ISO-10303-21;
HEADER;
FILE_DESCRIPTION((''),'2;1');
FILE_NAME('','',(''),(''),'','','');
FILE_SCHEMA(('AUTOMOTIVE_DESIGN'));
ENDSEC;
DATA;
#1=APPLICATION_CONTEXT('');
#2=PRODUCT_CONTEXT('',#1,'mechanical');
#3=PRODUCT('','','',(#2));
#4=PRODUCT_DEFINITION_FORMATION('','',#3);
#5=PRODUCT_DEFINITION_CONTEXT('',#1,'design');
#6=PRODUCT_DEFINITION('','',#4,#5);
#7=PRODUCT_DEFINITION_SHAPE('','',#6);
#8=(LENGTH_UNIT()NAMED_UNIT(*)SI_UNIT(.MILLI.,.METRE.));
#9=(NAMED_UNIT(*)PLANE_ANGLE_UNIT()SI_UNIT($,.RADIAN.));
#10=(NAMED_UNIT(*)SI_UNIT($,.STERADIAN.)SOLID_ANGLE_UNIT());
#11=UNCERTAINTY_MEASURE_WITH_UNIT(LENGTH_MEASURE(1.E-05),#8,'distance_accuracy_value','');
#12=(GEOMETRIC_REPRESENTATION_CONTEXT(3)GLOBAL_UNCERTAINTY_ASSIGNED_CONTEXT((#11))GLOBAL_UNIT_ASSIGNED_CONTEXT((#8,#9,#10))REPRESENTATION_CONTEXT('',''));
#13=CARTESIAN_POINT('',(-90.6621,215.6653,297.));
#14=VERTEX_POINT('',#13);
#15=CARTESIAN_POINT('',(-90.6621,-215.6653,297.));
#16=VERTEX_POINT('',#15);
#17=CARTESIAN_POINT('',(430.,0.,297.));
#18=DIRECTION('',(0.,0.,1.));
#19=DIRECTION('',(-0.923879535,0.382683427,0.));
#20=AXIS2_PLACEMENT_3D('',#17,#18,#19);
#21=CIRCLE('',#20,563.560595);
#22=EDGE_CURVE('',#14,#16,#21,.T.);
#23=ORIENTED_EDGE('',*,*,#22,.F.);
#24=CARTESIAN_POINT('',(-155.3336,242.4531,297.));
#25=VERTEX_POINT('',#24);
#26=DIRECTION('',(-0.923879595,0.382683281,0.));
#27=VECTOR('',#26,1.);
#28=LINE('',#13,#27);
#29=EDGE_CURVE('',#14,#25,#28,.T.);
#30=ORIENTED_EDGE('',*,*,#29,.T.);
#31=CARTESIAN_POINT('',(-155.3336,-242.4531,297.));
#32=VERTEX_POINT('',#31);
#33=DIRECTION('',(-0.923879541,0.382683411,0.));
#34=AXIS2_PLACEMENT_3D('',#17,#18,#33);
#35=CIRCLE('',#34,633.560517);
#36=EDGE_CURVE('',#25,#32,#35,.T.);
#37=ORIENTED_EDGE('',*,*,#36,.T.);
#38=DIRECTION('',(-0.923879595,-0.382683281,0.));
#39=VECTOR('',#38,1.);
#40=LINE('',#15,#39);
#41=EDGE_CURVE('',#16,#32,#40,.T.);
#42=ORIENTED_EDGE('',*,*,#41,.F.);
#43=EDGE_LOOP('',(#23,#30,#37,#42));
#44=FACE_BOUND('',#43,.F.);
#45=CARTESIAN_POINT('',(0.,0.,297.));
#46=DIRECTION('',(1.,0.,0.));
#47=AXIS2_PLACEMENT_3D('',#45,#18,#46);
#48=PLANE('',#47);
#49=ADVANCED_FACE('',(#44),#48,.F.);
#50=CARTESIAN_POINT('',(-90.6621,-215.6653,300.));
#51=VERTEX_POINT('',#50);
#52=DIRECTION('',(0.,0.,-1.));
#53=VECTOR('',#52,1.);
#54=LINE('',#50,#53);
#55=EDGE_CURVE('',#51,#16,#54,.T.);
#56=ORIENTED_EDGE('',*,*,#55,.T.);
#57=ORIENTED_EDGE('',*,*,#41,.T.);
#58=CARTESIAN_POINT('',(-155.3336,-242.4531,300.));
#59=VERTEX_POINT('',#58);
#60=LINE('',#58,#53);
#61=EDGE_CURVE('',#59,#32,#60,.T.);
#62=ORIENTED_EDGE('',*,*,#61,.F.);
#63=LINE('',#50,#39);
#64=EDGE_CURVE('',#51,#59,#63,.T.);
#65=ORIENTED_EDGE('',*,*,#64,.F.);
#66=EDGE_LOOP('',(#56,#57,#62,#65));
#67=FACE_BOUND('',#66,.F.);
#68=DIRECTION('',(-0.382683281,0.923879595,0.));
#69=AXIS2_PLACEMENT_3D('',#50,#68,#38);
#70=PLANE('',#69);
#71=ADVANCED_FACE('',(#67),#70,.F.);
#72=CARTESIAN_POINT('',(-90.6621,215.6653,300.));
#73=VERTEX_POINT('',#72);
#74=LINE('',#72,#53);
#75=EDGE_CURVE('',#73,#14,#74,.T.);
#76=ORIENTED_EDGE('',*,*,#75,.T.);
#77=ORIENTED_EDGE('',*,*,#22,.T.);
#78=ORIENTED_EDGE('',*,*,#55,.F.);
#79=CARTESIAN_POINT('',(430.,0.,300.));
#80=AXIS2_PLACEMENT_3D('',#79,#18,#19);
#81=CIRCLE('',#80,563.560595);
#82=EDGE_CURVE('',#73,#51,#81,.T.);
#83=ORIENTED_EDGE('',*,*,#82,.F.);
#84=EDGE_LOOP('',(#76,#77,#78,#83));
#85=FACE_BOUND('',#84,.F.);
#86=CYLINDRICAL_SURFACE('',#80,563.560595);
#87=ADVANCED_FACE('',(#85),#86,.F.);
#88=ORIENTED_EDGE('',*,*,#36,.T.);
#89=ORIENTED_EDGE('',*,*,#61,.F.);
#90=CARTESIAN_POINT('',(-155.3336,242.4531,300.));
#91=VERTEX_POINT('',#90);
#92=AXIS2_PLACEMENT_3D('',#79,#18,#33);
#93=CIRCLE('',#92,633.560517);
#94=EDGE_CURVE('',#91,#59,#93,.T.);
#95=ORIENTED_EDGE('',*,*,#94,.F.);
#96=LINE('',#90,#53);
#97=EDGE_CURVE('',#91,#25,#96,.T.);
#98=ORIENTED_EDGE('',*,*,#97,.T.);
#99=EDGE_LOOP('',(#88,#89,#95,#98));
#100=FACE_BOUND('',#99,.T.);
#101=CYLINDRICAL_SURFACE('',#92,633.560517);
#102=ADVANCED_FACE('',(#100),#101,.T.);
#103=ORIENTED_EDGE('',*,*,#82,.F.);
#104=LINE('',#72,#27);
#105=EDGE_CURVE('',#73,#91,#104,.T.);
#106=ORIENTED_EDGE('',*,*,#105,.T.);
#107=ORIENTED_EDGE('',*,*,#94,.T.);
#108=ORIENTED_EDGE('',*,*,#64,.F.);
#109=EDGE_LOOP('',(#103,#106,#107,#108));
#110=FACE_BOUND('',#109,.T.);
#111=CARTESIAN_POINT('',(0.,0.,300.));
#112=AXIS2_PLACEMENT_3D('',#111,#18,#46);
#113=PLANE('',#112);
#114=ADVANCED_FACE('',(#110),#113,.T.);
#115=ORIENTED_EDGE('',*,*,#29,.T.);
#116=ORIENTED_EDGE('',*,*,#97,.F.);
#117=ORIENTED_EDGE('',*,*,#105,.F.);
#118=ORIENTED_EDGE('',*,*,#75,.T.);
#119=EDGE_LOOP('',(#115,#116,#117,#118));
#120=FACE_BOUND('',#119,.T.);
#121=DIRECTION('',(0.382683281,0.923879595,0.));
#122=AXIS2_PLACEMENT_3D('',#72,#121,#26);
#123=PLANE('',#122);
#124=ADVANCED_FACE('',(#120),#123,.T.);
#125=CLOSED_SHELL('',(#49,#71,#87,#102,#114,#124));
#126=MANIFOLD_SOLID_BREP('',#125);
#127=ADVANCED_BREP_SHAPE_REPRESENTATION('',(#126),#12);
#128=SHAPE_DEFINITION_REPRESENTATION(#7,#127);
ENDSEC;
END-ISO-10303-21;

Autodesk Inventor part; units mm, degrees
ref_plane "YZ Plane" through (0, 0, 0) normal (1, 0, 0) x (0, 1, 0)
ref_plane "XZ Plane" through (0, 0, 0) normal (0, 1, 0) x (-1, 0, 0)
ref_plane "Work Plane1" through (0, 0, 300) normal (0, 0, 1) x (1, 0, 0)
sketch "Sketch1" plane through (0, 0, 300) normal (0, 0, 1) x (1, 0, 0)
  line L0 (-254.3277, 283.4578) -> (-250.5009, 292.6966) construction
  line L1 (-250.5009, 292.6966) -> (303.8268, 63.0866) construction
  line L2 (303.8268, 63.0866) -> (300, 53.8478) construction
  line L3 (300, 53.8478) -> (-254.3277, 283.4578) construction
  line L4 (300, -53.8478) -> (303.8268, -63.0866) construction
  line L5 (303.8268, -63.0866) -> (-250.5009, -292.6966) construction
  line L6 (-250.5009, -292.6966) -> (-254.3277, -283.4578) construction
  line L7 (-254.3277, -283.4578) -> (300, -53.8478) construction
  arc A0 (-89.3969, 212.9694) -> (-89.3969, -212.9694) centre (430, 0) ccw construction
  spline S0 degree 3 poles (-89.3969, -212.9694) (-89.7356, -213.1085) (-90.0743, -213.2477) (-90.7517, -213.5259) (-91.0904, -213.665) (-91.4291, -213.8041) knots -0.219692 -0.219692 -0.219692 -0.219692 -0.109846 -0.109846 0 0 0 0 construction
  arc A1 (-91.4291, 213.8041) -> (-91.4291, -213.8041) centre (430, 0) ccw construction
  spline S1 degree 3 poles (-91.4291, 213.8041) (-91.0904, 213.665) (-90.7517, 213.5259) (-90.0743, 213.2477) (-89.7356, 213.1085) (-89.3969, 212.9694) knots -0.219692 -0.219692 -0.219692 -0.219692 -0.109846 -0.109846 0 0 0 0 construction
  line L8 (-90.6621, 215.6653) -> (-155.3336, 242.4531)
  line L9 (-90.6621, -215.6653) -> (-155.3336, -242.4531)
  arc A2 (-90.6621, 215.6653) -> (-90.6621, -215.6653) centre (430, 0) ccw
  arc A3 (-155.3336, 242.4531) -> (-155.3336, -242.4531) centre (430, 0) ccw
  point P0 (0, 0)
  dimension "d3" = 70
extrude "Extrusion1" add sketch "Sketch1" against normal blind 3
properties part number "rearformer2" material "Wood (Cherry)"
